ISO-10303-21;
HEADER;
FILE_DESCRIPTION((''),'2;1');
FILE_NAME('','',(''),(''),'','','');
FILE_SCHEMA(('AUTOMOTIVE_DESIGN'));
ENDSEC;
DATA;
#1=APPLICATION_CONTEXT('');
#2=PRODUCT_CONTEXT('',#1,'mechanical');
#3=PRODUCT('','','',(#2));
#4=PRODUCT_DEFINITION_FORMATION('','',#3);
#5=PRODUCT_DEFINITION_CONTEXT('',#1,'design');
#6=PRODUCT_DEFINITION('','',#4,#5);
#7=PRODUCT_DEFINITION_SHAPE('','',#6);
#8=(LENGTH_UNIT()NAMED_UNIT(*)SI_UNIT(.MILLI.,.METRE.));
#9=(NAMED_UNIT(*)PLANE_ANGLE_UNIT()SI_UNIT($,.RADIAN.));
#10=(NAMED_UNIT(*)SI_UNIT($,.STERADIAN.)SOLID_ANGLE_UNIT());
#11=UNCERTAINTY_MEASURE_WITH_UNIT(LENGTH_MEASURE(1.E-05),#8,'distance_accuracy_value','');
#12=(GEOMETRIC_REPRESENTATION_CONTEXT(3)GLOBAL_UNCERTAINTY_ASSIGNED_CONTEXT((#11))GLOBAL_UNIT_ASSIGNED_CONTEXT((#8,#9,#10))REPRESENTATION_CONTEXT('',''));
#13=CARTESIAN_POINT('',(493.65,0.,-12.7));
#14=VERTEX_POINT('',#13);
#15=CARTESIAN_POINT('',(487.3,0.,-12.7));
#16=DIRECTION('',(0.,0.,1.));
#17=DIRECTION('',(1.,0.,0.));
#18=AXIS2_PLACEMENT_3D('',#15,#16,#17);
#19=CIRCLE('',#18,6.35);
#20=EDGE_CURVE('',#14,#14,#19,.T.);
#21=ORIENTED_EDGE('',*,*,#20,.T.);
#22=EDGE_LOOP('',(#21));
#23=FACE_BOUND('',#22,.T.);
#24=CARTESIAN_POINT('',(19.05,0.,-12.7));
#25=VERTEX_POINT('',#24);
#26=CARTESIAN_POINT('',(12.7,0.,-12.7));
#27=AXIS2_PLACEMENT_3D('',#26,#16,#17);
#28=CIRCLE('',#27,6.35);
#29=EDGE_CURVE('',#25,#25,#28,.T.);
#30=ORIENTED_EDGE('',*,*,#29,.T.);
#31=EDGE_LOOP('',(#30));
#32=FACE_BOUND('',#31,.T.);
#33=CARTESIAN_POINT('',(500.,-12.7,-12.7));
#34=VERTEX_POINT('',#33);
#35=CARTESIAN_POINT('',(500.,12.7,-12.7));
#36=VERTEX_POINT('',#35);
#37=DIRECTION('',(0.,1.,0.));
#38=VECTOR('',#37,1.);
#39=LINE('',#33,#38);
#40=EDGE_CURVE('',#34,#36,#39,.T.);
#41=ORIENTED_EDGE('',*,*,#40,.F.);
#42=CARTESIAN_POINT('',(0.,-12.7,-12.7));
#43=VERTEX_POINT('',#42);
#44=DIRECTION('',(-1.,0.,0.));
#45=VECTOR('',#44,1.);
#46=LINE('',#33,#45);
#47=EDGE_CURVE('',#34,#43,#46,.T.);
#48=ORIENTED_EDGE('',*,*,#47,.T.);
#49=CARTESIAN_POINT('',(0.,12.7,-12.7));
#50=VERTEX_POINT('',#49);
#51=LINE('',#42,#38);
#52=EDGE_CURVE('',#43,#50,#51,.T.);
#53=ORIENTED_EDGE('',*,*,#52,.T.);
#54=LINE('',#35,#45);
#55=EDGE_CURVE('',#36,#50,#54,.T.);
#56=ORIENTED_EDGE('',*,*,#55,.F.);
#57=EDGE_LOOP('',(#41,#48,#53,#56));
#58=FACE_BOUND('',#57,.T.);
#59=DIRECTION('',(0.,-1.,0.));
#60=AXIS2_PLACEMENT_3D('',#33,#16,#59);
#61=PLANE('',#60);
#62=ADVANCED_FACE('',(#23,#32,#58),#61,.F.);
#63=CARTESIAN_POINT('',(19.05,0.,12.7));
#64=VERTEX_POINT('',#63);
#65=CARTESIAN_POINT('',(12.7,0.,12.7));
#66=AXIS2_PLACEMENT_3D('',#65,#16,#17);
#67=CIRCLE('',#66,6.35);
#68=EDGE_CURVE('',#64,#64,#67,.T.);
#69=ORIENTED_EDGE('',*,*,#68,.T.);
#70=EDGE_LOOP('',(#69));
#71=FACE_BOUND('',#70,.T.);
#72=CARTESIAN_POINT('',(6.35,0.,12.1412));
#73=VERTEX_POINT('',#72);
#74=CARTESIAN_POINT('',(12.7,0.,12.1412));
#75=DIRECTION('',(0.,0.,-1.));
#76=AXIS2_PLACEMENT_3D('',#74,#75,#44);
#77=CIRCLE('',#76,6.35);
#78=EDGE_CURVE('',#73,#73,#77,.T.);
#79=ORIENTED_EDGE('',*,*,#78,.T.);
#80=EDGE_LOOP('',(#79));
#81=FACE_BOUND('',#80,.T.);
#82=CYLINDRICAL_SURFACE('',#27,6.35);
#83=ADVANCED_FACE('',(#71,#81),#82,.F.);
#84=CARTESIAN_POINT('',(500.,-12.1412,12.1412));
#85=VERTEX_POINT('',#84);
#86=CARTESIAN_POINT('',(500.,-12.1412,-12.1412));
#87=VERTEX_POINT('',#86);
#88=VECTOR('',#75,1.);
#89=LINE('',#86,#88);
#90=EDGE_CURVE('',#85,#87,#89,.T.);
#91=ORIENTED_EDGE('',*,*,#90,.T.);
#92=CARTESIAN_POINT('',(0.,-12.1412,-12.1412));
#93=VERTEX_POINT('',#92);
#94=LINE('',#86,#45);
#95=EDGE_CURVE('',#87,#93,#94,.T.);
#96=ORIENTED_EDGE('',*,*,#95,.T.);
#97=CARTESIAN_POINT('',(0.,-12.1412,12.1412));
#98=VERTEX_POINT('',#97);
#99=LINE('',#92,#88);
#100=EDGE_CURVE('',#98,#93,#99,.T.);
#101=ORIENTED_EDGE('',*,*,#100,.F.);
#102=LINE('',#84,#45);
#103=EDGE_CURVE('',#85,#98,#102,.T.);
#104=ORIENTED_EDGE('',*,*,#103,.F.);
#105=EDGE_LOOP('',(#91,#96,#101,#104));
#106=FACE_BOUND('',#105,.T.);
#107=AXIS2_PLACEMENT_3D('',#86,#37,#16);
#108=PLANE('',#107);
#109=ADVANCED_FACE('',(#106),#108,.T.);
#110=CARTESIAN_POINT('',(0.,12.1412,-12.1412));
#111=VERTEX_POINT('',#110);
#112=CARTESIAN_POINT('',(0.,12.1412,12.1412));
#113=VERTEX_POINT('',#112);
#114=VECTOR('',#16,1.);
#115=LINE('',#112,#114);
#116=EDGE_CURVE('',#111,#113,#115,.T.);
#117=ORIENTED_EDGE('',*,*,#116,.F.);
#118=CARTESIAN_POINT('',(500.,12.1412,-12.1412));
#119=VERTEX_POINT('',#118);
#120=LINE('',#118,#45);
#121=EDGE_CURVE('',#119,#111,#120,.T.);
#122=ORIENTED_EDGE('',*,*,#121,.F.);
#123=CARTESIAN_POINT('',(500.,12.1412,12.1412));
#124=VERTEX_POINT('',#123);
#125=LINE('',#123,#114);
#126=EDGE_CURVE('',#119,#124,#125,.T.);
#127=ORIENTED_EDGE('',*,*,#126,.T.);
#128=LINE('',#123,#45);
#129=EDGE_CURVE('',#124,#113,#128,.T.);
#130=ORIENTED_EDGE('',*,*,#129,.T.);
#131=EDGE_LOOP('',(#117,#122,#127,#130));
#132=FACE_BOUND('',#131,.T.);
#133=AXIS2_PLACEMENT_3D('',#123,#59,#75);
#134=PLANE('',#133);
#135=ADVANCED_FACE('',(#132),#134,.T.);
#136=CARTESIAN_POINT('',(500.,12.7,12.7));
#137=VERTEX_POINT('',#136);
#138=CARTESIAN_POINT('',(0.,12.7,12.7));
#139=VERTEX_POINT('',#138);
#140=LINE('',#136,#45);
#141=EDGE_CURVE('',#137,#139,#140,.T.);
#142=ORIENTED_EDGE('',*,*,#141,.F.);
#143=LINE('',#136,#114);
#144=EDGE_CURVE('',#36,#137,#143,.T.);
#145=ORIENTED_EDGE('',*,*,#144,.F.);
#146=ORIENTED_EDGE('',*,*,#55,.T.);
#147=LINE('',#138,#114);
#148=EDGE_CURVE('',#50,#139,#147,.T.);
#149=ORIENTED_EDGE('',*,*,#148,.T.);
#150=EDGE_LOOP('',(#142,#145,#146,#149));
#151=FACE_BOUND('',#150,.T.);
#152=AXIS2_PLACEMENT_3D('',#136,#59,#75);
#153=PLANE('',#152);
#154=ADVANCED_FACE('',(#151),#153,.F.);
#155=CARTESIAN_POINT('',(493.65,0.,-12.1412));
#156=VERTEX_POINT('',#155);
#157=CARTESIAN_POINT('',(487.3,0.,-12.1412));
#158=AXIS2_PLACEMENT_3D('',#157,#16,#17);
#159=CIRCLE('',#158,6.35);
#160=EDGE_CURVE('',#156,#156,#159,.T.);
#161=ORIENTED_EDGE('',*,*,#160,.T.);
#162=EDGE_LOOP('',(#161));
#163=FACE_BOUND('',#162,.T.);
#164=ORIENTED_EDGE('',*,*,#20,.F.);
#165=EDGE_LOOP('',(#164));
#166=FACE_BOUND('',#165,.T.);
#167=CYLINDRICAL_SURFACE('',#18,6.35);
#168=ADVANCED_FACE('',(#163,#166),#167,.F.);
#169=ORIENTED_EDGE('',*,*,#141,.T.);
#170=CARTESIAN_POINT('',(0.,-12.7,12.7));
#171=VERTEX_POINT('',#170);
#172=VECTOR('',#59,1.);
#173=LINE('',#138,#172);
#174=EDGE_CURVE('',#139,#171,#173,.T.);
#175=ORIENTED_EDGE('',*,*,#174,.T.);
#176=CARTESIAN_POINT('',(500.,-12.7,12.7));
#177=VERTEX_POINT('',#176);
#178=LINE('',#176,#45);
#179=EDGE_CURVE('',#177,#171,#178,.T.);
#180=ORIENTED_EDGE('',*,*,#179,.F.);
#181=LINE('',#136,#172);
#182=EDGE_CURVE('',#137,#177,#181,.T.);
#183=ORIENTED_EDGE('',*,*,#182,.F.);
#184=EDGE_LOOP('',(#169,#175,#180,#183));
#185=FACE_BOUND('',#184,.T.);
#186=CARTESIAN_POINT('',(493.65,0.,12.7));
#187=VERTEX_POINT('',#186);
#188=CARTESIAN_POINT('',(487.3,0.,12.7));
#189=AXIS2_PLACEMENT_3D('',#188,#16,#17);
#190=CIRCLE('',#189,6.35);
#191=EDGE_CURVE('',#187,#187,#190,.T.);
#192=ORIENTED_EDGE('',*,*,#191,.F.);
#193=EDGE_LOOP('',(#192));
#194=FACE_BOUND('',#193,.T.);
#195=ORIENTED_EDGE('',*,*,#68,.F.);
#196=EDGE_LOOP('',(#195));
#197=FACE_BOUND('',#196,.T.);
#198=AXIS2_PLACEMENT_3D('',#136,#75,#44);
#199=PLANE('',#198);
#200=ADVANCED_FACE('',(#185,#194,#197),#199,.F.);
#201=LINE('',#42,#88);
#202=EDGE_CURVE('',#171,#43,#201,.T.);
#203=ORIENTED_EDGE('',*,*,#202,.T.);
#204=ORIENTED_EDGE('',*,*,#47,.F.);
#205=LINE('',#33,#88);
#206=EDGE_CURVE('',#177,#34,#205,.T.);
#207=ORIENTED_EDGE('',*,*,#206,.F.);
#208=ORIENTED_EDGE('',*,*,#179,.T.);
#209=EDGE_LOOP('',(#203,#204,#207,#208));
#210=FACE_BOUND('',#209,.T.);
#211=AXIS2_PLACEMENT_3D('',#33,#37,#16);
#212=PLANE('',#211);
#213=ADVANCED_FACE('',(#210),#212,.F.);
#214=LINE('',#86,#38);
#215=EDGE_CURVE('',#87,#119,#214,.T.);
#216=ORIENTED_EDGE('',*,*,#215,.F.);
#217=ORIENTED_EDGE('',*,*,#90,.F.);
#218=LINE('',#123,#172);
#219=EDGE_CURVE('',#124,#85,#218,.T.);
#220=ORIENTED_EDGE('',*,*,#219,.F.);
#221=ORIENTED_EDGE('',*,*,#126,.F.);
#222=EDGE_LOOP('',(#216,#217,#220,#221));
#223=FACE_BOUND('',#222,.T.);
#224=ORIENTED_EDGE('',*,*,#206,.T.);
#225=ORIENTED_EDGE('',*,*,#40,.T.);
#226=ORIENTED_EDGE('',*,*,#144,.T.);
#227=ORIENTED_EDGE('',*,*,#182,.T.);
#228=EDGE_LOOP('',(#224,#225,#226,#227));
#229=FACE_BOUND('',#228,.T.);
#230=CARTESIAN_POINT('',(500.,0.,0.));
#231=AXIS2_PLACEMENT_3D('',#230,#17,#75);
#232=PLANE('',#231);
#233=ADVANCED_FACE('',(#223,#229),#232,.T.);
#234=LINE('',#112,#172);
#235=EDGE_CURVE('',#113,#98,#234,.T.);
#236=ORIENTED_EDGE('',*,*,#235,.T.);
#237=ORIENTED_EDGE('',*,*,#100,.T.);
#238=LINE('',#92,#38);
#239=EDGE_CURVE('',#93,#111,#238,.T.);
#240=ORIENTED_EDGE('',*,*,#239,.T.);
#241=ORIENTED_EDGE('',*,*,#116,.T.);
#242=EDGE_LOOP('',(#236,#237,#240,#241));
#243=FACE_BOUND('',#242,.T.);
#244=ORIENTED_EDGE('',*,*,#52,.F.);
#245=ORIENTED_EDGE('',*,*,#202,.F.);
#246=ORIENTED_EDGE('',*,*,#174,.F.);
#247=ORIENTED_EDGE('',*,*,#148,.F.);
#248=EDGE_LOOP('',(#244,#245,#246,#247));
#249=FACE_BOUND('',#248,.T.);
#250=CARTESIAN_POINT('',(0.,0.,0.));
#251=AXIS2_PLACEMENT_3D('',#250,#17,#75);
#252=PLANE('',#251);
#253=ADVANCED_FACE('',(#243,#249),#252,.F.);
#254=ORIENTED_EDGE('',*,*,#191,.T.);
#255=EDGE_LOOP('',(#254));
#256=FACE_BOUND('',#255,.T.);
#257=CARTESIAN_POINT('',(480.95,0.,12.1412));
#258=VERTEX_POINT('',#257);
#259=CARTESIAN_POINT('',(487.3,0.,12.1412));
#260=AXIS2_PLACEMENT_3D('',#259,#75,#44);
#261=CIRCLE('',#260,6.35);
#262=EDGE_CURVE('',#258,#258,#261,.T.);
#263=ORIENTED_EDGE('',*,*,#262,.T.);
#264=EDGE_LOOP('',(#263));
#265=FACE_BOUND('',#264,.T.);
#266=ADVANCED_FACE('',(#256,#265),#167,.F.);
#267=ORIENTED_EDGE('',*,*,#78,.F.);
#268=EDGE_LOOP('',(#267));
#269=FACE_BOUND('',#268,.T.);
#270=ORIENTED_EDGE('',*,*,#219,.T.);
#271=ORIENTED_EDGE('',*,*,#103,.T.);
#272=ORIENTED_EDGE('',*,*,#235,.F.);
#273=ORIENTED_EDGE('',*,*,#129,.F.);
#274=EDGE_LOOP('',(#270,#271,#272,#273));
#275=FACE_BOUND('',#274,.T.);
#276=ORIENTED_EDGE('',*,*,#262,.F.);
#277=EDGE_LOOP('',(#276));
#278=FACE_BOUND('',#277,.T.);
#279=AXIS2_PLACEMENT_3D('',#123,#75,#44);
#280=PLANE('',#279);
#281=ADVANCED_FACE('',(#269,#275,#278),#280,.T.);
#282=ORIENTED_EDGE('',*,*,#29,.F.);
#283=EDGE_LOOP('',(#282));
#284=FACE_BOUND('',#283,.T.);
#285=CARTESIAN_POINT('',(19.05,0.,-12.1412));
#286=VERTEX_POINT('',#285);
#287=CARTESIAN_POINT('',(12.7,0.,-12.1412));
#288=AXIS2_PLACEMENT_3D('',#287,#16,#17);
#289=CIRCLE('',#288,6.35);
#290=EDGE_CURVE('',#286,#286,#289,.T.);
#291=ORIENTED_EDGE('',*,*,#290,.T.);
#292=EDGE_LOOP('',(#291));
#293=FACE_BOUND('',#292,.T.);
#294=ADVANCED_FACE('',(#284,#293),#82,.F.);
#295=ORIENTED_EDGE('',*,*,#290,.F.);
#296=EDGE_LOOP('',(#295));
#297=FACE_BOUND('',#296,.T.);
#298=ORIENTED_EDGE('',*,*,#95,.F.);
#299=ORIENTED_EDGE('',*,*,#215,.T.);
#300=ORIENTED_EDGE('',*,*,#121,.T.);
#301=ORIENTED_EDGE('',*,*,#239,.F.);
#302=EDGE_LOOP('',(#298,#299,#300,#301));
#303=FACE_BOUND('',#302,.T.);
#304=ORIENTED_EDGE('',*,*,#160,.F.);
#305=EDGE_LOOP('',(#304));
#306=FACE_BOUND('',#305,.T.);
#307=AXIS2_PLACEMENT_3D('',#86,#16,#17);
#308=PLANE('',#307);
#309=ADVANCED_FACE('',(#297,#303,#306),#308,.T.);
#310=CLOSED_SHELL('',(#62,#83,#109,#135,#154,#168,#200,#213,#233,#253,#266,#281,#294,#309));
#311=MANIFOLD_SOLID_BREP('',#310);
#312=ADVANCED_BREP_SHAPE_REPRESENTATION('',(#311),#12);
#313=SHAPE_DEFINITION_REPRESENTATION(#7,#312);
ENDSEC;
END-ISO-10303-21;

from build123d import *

# Parameters (mm, degrees)
SKETCH1_W                              = 25.4
SKETCH1_H                              = 25.4
SKETCH1_W_2                            = 24.2824
SKETCH1_H_2                            = 24.2824
AL_TUBE_SQUARE_1_SQ_X_022_WALL_3_DEPTH = 500
CROQUIS3_R                             = 6.35
CORTAR_EXTRUIR1_DEPTH                  = 501.805800685


with BuildPart() as part:
    # Sketch1 → Al tube (square) 1 SQ X .022 WALL(3) (new body)
    with BuildSketch(Plane.YZ):
        Rectangle(SKETCH1_W, SKETCH1_H)
        Rectangle(SKETCH1_W_2, SKETCH1_H_2, mode=Mode.SUBTRACT)
    extrude(amount=AL_TUBE_SQUARE_1_SQ_X_022_WALL_3_DEPTH)

    # Croquis3 → Cortar-Extruir1 (cut, through all)
    with BuildSketch(Plane.XY.offset(12.7)):
        with Locations((12.7, 0)):
            Circle(CROQUIS3_R)
        with Locations((487.3, 0)):
            Circle(CROQUIS3_R)
    extrude(amount=-CORTAR_EXTRUIR1_DEPTH, mode=Mode.SUBTRACT)


solid = part.part
